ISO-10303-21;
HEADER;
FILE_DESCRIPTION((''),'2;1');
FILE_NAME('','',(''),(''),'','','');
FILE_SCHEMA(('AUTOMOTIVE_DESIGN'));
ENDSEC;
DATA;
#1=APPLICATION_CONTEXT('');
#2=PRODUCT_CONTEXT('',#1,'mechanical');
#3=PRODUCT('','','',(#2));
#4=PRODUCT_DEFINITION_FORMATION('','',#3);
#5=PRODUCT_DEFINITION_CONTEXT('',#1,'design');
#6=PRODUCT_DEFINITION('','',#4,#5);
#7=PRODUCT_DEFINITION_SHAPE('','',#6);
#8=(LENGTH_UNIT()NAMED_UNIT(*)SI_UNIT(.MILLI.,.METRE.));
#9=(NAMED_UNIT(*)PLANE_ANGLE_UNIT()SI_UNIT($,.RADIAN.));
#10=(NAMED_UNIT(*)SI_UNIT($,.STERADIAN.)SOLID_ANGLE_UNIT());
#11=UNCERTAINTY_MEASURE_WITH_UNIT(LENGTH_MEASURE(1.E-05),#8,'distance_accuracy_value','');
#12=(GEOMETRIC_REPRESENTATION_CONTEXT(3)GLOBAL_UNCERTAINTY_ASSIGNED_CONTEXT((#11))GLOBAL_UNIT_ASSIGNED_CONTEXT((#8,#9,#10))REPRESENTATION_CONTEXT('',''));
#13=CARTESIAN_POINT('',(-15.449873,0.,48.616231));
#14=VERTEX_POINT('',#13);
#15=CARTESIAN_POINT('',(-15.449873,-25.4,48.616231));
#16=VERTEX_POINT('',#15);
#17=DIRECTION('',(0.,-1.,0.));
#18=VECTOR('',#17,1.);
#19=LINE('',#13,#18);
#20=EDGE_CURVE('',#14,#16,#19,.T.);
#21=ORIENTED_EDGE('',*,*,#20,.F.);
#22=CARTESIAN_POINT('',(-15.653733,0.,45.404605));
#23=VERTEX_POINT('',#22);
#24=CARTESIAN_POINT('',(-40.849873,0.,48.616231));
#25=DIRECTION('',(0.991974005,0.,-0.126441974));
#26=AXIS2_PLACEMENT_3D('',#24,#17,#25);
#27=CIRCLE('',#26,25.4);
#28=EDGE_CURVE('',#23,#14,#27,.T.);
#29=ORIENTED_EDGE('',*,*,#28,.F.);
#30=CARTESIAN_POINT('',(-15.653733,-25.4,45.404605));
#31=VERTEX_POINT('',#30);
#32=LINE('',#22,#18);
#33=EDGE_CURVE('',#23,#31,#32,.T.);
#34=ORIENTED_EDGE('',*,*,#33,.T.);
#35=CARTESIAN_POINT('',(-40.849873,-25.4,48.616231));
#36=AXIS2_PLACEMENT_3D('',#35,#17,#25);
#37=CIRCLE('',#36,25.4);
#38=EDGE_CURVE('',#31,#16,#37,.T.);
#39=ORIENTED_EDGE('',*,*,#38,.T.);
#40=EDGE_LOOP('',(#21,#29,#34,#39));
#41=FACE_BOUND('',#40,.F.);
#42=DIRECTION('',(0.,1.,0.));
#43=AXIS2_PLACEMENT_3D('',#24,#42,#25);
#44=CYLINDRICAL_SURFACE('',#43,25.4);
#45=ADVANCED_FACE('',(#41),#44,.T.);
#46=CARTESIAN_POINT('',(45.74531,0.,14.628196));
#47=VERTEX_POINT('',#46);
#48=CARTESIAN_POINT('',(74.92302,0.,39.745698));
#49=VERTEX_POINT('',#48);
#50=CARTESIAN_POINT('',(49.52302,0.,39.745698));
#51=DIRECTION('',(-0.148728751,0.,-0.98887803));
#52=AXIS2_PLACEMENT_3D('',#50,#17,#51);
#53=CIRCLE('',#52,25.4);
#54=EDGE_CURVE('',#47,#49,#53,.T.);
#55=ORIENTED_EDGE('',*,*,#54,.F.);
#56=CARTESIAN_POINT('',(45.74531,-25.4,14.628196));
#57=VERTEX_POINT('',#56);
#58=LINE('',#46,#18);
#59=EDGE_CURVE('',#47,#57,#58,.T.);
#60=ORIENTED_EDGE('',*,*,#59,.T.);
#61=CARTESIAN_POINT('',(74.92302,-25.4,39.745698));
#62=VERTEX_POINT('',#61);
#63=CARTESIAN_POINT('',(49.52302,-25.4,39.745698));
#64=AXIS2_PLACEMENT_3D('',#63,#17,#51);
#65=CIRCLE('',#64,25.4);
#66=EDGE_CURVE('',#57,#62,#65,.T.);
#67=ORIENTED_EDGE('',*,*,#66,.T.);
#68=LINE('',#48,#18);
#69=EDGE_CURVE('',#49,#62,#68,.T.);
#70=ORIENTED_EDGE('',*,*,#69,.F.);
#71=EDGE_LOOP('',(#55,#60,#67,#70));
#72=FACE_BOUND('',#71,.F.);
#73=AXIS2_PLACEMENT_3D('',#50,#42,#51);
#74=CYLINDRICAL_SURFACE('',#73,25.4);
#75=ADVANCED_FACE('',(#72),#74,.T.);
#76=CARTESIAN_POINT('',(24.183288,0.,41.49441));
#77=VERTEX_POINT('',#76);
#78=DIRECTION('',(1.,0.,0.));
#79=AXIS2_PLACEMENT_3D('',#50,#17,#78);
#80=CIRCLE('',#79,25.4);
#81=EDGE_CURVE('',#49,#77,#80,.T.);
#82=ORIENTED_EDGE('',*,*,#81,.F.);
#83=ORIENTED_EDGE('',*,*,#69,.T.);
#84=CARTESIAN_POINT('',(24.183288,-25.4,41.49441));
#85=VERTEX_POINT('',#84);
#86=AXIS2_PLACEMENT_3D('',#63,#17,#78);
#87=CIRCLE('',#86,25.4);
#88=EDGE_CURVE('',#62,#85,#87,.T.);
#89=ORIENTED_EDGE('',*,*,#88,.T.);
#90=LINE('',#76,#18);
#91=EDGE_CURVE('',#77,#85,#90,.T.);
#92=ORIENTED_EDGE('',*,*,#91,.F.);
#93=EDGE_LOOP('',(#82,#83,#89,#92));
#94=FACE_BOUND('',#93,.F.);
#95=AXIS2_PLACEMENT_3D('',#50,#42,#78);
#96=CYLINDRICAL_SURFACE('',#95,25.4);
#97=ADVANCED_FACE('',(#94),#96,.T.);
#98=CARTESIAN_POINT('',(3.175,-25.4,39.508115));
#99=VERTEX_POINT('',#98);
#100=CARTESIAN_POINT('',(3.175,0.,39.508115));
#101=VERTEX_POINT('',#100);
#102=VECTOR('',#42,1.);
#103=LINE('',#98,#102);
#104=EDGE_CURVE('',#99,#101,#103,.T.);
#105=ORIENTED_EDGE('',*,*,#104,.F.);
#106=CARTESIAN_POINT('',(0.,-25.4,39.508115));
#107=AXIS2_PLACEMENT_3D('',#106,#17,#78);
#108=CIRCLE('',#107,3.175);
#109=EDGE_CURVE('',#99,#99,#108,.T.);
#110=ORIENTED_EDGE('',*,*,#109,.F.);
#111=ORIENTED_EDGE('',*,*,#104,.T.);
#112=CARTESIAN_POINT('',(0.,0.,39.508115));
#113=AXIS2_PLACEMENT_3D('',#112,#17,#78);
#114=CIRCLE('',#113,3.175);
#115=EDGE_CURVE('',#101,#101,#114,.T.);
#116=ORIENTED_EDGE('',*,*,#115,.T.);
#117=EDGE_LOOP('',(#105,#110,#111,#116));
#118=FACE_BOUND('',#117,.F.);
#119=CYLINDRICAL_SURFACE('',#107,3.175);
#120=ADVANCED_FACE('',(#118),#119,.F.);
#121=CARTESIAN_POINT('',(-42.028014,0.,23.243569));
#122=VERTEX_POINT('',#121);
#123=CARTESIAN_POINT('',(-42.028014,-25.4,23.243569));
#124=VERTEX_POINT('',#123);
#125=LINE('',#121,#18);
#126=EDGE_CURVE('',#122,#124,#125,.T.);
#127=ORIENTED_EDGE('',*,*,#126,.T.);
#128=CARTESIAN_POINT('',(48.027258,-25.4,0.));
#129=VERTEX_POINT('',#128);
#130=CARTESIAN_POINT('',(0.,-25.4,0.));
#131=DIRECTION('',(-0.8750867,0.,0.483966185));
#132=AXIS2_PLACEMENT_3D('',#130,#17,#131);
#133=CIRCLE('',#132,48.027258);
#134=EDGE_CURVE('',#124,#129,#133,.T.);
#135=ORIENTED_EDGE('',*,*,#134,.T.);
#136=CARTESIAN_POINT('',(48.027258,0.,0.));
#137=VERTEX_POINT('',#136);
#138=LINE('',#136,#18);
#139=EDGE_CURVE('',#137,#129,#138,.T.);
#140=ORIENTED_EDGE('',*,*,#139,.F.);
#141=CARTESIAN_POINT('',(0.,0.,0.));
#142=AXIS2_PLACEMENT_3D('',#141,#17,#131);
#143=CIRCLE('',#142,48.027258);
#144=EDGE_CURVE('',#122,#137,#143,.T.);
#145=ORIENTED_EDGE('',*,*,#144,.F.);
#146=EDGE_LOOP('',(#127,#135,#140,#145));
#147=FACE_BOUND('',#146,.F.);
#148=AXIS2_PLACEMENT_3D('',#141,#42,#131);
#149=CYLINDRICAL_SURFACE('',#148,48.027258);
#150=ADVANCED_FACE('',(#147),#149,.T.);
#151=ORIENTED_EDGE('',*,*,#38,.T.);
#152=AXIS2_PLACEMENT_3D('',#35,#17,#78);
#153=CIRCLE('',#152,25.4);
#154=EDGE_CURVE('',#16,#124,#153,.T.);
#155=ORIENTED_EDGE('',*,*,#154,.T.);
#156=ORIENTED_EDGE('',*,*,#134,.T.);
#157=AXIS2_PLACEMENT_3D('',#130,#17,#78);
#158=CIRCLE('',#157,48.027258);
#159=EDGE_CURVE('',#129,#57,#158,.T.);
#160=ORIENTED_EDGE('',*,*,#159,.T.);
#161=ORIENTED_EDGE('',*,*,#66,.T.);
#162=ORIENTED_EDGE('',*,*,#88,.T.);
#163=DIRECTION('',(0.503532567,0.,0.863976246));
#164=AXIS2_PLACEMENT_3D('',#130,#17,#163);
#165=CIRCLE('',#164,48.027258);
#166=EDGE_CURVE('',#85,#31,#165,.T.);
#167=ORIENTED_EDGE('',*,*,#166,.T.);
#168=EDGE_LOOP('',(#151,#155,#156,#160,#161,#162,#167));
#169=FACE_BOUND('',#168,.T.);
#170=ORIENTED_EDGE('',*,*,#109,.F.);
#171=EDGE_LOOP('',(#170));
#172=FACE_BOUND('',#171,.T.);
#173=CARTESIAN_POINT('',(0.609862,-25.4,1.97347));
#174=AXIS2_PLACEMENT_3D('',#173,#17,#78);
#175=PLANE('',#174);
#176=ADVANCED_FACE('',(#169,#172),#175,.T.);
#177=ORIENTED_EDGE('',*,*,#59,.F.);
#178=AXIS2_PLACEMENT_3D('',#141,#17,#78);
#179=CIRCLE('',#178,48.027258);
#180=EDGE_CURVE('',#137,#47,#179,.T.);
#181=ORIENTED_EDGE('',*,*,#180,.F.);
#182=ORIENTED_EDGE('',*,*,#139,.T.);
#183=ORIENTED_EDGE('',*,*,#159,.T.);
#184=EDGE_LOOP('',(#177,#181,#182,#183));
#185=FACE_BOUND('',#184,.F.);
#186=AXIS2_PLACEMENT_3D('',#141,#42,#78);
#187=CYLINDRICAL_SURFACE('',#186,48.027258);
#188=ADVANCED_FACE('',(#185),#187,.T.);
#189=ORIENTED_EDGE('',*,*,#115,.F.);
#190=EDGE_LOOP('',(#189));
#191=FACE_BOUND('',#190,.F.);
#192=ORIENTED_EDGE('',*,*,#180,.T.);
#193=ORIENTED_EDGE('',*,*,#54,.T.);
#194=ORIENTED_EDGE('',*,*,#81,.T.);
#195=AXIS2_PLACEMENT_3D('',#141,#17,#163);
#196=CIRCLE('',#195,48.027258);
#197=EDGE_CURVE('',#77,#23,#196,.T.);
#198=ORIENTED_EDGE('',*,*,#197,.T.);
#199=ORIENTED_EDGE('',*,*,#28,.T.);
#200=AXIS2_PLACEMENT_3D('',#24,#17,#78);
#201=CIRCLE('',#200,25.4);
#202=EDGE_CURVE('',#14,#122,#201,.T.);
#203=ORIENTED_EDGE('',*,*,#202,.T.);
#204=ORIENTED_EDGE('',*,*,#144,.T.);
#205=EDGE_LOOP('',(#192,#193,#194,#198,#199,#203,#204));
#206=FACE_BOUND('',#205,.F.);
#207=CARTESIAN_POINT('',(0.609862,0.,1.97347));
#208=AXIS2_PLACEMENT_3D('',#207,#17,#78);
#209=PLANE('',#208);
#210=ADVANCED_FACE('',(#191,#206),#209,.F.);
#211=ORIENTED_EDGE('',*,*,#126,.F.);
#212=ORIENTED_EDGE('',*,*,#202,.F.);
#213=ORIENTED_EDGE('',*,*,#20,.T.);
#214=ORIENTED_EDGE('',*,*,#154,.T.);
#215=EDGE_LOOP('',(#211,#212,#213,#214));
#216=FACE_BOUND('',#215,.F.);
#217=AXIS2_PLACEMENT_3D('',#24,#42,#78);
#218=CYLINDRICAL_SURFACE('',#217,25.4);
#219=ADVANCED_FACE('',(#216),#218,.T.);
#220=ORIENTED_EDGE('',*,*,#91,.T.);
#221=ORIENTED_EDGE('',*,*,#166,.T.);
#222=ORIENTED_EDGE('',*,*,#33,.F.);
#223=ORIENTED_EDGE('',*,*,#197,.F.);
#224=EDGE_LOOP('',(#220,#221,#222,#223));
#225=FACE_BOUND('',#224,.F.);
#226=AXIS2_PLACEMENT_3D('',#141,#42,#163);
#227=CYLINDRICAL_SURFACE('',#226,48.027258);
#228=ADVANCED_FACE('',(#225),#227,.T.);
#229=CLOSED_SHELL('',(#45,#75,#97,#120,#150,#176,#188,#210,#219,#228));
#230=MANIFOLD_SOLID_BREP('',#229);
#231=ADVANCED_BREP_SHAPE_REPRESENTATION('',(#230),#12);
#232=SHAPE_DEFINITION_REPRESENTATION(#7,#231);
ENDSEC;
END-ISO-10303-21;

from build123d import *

# Parameters (mm, degrees)
F1_DEPTH = 25.4
F2_R     = 3.175
F3_DEPTH = 25.401


with BuildPart() as f1:
    # F0 (on Front) → F1 (new body)
    with BuildSketch(Plane.XZ):
        with BuildLine():
            ThreePointArc((-42.0280144037, 23.2435686413), (-12.0026497363, -46.503267382), (48.0272576554, 0))
            ThreePointArc((48.0272576554, 0), (47.4533416006, 7.4025569116), (45.7453097989, 14.6281956952))
            ThreePointArc((45.7453097989, 14.6281956952), (29.7138120449, 23.8474185974), (24.1832883108, 41.4944097966))
            ThreePointArc((24.1832883108, 41.4944097966), (4.69155987, 47.7975600202), (-15.6537330675, 45.4046046007))
            ThreePointArc((-15.6537330675, 45.4046046007), (-24.5099236809, 29.1697384486), (-42.0280144037, 23.2435686413))
        make_face()
        with BuildLine():
            ThreePointArc((24.1832883108, 41.4944097966), (37.4559818111, 30.06105295), (45.7453097989, 14.6281956952))
            ThreePointArc((45.7453097989, 14.6281956952), (66.0941721016, 20.4958425849), (74.9230200748, 39.7456976624))
            ThreePointArc((74.9230200748, 39.7456976624), (50.3978952643, 65.1306261319), (24.1832883108, 41.4944097966))
        make_face()
        with BuildLine():
            ThreePointArc((24.1832883108, 41.4944097966), (29.7138120449, 23.8474185974), (45.7453097989, 14.6281956952))
            ThreePointArc((45.7453097989, 14.6281956952), (37.4559818111, 30.06105295), (24.1832883108, 41.4944097966))
        make_face()
        with BuildLine():
            ThreePointArc((-15.6537330675, 45.4046046007), (-30.8961789956, 36.7701455173), (-42.0280144037, 23.2435686413))
            ThreePointArc((-42.0280144037, 23.2435686413), (-24.5099236809, 29.1697384486), (-15.6537330675, 45.4046046007))
        make_face()
        with BuildLine():
            ThreePointArc((-15.4498728014, 48.6162307476), (-58.3889036085, 66.9885577192), (-42.0280144037, 23.2435686413))
            ThreePointArc((-42.0280144037, 23.2435686413), (-30.8961789956, 36.7701455173), (-15.6537330675, 45.4046046007))
            ThreePointArc((-15.6537330675, 45.4046046007), (-15.5008891015, 47.0071858822), (-15.4498728014, 48.6162307476))
        make_face()
    extrude(amount=F1_DEPTH)

    # F2 (on face) → F3 (cut, through all)
    with BuildSketch(Plane.XZ.offset(25.4)):
        with Locations((0, 39.5081154678)):
            Circle(F2_R)
    extrude(amount=-F3_DEPTH, mode=Mode.SUBTRACT)


solid = f1.part
